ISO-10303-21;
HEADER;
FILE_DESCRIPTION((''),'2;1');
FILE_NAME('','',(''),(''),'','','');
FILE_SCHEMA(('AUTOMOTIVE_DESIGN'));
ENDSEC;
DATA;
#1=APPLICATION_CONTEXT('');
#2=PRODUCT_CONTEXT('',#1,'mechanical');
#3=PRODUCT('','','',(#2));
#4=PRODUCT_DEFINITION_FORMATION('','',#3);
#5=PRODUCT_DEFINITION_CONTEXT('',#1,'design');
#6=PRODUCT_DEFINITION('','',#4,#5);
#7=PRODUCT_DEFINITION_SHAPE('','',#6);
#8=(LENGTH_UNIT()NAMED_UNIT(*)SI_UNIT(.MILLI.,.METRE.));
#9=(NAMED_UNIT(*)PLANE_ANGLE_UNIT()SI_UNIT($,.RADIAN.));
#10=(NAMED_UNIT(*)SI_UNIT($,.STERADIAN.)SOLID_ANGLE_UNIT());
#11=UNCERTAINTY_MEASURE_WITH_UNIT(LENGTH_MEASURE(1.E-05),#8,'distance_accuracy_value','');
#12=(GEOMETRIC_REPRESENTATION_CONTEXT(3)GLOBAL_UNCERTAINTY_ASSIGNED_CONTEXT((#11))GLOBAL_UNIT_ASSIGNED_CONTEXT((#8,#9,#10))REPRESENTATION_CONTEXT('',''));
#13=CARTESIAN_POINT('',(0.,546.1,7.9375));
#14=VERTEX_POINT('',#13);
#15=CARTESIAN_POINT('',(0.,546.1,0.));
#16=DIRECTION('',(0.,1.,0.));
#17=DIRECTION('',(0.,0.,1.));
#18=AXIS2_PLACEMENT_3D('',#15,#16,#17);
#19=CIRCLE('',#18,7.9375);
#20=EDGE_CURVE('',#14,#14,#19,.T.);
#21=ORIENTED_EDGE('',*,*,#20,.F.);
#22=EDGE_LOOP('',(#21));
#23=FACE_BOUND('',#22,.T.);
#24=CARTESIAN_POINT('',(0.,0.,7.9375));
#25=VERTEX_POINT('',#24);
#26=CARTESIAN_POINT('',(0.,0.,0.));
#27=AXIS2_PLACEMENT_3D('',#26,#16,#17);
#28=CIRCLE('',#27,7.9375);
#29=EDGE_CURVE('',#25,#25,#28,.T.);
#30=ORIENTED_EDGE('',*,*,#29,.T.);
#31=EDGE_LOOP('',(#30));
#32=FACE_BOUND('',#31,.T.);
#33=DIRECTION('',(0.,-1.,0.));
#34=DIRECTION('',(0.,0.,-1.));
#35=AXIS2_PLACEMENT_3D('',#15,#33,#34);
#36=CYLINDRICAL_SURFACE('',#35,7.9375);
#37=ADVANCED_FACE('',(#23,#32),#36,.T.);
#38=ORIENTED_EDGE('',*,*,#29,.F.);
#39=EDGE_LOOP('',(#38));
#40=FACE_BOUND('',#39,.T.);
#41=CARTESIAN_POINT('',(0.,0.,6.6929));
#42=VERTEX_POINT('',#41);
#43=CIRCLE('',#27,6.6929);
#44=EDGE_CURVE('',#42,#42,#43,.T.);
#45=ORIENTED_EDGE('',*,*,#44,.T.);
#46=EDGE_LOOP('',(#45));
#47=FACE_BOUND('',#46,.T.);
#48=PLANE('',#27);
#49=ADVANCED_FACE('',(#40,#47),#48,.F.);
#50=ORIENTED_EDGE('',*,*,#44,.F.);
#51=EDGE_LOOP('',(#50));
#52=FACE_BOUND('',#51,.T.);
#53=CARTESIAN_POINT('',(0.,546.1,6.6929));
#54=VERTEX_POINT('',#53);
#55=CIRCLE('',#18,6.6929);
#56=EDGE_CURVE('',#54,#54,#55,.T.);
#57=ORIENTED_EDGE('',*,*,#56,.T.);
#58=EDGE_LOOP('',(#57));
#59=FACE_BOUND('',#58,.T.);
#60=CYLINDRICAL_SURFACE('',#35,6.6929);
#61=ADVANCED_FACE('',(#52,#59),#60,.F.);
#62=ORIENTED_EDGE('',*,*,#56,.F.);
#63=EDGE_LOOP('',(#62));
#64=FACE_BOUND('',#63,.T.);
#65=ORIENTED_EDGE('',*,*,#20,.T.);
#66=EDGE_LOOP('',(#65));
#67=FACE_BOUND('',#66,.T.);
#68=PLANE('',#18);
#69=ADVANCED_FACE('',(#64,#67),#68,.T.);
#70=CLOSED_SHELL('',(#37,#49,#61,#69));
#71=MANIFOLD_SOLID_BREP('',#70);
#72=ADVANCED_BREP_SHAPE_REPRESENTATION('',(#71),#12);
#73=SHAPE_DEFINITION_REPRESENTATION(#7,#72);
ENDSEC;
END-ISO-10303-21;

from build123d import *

# Parameters (mm, degrees)
SKETCH1_R           = 7.9375
SKETCH1_R_2         = 6.6929
BOSS_EXTRUDE1_DEPTH = 546.1


with BuildPart() as part:
    # Sketch1 → Boss-Extrude1 (new body)
    with BuildSketch(Plane(origin=(0, 0, 0), x_dir=(1, 0, 0), z_dir=(0, 1, 0))):
        with Locations(Location((0, 0, 0), (0, 0, 270))):
            Circle(SKETCH1_R)
        with Locations(Location((0, 0, 0), (0, 0, 270))):
            Circle(SKETCH1_R_2, mode=Mode.SUBTRACT)
    extrude(amount=BOSS_EXTRUDE1_DEPTH)


solid = part.part
